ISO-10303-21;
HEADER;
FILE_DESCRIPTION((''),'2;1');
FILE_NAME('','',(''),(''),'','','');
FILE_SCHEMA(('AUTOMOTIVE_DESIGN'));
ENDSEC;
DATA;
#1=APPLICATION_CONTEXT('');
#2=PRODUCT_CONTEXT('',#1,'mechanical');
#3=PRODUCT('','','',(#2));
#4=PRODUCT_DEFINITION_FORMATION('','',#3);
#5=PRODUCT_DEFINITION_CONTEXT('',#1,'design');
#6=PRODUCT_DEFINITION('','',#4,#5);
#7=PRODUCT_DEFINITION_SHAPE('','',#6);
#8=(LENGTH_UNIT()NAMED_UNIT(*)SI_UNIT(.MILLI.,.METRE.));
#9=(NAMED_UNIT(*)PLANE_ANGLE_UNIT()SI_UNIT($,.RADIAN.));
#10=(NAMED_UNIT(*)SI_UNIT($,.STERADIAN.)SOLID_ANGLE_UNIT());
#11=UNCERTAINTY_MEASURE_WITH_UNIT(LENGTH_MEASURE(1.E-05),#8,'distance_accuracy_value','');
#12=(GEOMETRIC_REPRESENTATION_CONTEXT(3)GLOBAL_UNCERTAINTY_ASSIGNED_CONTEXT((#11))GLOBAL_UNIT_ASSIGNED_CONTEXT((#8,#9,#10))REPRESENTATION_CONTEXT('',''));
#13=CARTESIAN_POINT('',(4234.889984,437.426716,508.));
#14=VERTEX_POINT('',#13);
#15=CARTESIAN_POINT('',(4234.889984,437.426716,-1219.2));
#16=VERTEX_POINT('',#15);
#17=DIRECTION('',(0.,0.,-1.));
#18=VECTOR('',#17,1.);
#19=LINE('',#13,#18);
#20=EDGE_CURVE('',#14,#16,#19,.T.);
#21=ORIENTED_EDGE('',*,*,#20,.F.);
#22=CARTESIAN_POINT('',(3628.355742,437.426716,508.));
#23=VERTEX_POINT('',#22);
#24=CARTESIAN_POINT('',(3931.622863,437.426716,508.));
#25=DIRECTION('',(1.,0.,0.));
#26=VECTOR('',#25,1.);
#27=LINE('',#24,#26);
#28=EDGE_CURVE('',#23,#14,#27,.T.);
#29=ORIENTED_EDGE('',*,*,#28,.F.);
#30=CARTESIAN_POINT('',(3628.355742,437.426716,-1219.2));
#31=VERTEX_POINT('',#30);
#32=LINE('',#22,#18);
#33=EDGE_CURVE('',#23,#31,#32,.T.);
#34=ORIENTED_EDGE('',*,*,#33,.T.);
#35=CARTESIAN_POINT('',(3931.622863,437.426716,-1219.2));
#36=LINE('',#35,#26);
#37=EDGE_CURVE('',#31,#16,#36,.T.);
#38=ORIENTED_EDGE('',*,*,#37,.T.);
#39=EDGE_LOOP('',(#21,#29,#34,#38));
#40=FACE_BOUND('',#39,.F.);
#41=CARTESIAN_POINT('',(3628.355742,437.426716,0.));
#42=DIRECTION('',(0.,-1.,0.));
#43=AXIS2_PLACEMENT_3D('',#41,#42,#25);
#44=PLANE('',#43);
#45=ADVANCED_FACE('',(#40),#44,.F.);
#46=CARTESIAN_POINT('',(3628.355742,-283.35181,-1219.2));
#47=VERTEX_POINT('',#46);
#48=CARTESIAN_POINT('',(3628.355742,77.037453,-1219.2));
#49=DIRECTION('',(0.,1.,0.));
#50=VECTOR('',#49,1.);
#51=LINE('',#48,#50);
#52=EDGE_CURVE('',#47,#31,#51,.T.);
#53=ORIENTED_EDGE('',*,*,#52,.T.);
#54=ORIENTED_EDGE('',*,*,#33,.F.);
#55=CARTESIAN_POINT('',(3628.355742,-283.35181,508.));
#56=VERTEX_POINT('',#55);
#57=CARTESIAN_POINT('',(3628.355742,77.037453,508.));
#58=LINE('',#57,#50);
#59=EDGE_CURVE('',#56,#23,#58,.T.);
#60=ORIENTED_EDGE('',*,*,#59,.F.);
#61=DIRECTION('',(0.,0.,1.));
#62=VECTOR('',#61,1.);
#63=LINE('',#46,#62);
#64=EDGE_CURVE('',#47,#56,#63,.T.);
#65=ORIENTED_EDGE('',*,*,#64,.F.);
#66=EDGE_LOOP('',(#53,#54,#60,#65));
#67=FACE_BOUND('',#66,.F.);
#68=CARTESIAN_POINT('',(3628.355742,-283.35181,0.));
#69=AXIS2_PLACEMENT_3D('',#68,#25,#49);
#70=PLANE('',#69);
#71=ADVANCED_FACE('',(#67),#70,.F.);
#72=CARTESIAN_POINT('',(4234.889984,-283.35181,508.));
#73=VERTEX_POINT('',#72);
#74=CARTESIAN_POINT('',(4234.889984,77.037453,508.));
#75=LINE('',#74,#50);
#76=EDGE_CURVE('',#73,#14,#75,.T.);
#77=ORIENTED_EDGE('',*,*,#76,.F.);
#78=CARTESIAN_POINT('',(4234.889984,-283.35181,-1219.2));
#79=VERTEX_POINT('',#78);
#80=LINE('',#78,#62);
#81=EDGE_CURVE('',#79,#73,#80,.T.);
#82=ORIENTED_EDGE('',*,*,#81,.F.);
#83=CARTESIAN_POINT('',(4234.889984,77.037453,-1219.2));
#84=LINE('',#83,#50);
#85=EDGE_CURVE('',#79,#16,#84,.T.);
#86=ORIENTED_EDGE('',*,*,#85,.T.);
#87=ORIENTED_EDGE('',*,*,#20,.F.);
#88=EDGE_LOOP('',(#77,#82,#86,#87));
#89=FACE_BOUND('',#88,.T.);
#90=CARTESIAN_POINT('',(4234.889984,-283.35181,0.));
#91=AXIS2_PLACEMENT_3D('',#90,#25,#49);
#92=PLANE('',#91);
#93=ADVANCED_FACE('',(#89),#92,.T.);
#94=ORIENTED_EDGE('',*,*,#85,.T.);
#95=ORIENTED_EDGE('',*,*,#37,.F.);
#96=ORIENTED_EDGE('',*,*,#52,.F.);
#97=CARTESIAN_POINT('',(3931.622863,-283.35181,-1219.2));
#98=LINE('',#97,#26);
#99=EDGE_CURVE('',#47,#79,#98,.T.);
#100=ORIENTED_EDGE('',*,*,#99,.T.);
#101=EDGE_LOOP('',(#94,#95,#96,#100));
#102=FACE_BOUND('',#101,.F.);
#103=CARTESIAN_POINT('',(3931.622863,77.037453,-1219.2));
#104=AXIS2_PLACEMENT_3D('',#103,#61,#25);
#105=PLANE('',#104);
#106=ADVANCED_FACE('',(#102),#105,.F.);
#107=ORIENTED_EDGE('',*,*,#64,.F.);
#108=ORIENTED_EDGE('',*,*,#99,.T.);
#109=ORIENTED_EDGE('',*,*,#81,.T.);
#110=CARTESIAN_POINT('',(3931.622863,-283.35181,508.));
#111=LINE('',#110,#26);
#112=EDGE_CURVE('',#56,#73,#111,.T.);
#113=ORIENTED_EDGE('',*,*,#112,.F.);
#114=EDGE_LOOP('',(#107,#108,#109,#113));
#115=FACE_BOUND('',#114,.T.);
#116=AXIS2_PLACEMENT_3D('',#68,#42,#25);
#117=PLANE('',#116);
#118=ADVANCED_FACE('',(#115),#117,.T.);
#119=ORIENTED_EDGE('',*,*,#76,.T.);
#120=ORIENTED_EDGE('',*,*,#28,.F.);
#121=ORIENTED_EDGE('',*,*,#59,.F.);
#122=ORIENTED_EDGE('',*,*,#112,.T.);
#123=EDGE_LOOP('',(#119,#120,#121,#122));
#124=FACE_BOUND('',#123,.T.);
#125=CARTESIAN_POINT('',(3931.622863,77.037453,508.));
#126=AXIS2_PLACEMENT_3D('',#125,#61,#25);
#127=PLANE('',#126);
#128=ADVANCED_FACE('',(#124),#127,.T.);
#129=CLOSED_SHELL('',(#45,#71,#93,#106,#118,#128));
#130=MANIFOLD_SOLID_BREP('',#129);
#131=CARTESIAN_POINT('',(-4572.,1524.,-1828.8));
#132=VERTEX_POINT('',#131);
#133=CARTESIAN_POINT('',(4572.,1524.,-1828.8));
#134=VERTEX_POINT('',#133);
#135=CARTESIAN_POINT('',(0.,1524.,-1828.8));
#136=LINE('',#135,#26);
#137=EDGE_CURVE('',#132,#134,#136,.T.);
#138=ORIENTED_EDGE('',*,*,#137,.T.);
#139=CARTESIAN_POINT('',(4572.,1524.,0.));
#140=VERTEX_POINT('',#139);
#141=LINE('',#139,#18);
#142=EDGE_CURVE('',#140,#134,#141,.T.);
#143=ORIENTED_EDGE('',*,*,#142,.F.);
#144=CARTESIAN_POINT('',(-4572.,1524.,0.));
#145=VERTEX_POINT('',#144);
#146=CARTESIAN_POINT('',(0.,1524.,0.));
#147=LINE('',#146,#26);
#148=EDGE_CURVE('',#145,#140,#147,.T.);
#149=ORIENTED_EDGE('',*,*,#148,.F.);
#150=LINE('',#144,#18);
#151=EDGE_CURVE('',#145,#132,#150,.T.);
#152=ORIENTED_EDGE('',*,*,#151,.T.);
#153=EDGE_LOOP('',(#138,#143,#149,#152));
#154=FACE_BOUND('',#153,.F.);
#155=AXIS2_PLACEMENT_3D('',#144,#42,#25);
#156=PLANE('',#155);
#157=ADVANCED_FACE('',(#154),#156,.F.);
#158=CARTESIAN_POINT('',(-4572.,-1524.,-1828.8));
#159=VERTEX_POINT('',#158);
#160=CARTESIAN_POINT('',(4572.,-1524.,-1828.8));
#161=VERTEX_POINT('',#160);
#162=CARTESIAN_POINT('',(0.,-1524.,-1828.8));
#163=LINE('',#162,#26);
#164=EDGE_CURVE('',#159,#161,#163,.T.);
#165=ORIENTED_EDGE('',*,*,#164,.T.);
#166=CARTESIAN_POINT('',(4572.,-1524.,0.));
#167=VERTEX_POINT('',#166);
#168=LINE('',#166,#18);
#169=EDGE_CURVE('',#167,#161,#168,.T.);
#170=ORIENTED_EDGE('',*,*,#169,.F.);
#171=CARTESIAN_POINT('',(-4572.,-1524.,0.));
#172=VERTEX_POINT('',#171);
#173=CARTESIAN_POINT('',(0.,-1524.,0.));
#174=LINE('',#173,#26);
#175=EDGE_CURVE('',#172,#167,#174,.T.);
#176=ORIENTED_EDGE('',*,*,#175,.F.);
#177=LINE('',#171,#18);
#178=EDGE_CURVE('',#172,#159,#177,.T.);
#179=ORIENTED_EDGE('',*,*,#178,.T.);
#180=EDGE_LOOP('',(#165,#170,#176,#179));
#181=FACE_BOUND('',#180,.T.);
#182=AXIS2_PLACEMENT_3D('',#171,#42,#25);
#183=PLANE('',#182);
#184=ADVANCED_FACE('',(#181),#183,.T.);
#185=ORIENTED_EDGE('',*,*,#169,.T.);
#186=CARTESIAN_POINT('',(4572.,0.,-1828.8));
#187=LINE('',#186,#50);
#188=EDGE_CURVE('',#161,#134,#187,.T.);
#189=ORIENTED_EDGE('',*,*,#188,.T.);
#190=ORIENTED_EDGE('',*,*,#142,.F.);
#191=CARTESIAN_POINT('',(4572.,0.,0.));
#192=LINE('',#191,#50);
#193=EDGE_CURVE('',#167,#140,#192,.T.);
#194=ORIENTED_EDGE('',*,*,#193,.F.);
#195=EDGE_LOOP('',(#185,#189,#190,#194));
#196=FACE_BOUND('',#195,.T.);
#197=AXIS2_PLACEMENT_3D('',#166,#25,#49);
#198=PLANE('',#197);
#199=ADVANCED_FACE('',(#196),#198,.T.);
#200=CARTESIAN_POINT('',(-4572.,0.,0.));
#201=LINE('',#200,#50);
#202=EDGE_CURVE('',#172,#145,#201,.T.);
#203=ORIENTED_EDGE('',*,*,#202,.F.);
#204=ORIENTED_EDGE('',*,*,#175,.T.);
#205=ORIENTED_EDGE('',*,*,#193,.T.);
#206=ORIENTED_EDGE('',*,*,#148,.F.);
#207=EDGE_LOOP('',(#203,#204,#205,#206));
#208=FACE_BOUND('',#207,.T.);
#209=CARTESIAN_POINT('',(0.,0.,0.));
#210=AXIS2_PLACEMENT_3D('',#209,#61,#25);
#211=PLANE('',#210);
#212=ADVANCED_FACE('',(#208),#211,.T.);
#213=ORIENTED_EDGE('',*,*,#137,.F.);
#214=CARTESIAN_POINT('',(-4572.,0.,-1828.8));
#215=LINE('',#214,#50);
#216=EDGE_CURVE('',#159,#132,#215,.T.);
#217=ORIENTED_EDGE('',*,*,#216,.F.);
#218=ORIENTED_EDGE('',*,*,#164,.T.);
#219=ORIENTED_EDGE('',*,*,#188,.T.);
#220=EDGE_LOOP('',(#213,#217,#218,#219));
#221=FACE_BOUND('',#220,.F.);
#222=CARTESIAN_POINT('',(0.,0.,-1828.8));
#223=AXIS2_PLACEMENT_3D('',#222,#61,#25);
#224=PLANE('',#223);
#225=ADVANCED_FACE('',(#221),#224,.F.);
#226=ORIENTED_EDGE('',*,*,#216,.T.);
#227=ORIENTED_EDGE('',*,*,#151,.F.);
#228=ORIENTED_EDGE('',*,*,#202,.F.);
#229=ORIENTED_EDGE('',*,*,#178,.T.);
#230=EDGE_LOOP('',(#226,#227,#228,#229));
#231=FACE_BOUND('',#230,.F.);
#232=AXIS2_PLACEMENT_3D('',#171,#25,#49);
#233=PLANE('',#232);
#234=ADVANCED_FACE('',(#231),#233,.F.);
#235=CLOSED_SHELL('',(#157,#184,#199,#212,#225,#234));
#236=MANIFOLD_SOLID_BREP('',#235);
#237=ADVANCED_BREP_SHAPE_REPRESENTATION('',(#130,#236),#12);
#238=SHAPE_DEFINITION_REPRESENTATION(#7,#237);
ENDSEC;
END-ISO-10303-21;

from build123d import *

# Parameters (mm, degrees)
F0_W          = 9144
F0_H          = 3048
F1_DEPTH      = 1828.8
F2_W          = 606.534242
F2_H          = 720.778525
F3_DEPTH      = 508
F3_DEPTH_BACK = 1219.2


with BuildPart() as f1:
    # F0 (on Top) → F1 (new body)
    with BuildSketch(Plane.XY):
        Rectangle(F0_W, F0_H)
    extrude(amount=-F1_DEPTH)


with BuildPart() as f3:
    # F2 (on face) → F3 (new body, two sides)
    with BuildSketch(Plane.XY) as f3_sk:
        with Locations((3931.622863, 77.037453)):
            Rectangle(F2_W, F2_H)
    extrude(amount=F3_DEPTH)
    extrude(f3_sk.sketch, amount=-F3_DEPTH_BACK)


solid = Compound([f1.part, f3.part])
